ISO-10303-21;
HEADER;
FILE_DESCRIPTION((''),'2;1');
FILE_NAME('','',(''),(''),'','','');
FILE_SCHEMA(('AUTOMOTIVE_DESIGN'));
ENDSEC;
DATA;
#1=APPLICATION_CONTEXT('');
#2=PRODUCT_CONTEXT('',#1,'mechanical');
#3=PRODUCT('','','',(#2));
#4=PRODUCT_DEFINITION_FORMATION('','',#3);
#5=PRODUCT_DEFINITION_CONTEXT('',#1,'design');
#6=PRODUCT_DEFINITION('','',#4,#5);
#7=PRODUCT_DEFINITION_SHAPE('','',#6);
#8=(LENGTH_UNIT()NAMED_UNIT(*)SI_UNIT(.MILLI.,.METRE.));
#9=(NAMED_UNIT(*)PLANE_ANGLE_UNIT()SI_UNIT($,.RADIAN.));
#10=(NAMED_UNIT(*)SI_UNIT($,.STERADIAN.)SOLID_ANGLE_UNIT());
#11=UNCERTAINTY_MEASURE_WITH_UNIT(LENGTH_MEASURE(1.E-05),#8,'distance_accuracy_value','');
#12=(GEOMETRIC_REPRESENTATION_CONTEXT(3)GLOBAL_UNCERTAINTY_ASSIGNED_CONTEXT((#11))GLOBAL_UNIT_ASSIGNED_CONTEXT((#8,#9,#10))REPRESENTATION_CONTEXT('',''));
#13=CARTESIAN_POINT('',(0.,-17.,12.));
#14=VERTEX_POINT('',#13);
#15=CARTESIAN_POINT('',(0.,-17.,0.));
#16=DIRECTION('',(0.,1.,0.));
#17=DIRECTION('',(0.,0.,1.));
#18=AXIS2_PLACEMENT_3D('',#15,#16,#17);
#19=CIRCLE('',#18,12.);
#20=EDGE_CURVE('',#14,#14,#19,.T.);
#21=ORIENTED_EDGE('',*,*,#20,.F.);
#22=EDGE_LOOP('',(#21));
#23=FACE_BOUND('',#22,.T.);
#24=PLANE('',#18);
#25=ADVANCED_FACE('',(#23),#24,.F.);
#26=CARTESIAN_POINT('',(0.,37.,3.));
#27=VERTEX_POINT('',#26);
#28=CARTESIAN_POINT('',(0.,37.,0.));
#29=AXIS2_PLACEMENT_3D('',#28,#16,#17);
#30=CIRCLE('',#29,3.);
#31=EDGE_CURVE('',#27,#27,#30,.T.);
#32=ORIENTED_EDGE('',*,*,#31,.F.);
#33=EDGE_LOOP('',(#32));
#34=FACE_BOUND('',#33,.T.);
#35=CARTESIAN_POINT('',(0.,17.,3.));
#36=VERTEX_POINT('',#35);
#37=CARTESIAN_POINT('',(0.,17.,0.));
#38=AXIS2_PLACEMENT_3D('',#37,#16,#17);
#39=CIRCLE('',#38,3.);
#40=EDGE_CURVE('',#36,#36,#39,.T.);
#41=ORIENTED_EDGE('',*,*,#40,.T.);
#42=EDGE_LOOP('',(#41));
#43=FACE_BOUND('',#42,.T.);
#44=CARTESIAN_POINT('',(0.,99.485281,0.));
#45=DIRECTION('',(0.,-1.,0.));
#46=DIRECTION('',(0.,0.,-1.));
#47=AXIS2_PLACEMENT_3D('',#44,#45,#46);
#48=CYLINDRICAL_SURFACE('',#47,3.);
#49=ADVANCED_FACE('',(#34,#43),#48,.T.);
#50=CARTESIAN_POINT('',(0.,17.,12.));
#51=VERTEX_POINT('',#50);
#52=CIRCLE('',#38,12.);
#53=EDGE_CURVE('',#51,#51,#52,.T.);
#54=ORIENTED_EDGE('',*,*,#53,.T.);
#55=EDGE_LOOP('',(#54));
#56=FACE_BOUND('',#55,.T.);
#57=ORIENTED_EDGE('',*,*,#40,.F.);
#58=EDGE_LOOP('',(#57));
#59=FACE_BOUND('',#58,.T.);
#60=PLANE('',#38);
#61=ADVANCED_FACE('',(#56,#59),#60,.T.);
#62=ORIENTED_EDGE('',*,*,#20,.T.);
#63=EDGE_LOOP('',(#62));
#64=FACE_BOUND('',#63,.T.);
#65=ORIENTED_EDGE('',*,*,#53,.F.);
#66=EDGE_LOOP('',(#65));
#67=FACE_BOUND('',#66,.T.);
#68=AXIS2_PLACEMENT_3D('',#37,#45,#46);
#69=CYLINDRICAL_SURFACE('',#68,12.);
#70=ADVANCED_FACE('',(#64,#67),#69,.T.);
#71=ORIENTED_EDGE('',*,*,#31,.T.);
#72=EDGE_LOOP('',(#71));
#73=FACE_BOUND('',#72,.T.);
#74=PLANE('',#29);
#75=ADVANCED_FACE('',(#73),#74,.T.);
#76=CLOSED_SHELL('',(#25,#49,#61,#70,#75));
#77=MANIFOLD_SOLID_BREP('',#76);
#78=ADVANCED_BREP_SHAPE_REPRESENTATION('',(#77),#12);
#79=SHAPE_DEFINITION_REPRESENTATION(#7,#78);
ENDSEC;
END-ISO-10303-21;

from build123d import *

# Parameters (mm, degrees)
SKETCH1_R           = 12
BOSS_EXTRUDE1_DEPTH = 17
SKETCH2_R           = 3
BOSS_EXTRUDE2_DEPTH = 20


with BuildPart() as part:
    # Sketch1 → Boss-Extrude1 (new body, symmetric)
    with BuildSketch(Plane(origin=(0, 0, 0), x_dir=(1, 0, 0), z_dir=(0, 1, 0))):
        Circle(SKETCH1_R)
    extrude(amount=BOSS_EXTRUDE1_DEPTH, both=True)

    # Sketch2 → Boss-Extrude2 (add)
    with BuildSketch(Plane(origin=(0, 17, 0), x_dir=(1, 0, 0), z_dir=(0, 1, 0))):
        Circle(SKETCH2_R)
    extrude(amount=BOSS_EXTRUDE2_DEPTH)


solid = part.part
